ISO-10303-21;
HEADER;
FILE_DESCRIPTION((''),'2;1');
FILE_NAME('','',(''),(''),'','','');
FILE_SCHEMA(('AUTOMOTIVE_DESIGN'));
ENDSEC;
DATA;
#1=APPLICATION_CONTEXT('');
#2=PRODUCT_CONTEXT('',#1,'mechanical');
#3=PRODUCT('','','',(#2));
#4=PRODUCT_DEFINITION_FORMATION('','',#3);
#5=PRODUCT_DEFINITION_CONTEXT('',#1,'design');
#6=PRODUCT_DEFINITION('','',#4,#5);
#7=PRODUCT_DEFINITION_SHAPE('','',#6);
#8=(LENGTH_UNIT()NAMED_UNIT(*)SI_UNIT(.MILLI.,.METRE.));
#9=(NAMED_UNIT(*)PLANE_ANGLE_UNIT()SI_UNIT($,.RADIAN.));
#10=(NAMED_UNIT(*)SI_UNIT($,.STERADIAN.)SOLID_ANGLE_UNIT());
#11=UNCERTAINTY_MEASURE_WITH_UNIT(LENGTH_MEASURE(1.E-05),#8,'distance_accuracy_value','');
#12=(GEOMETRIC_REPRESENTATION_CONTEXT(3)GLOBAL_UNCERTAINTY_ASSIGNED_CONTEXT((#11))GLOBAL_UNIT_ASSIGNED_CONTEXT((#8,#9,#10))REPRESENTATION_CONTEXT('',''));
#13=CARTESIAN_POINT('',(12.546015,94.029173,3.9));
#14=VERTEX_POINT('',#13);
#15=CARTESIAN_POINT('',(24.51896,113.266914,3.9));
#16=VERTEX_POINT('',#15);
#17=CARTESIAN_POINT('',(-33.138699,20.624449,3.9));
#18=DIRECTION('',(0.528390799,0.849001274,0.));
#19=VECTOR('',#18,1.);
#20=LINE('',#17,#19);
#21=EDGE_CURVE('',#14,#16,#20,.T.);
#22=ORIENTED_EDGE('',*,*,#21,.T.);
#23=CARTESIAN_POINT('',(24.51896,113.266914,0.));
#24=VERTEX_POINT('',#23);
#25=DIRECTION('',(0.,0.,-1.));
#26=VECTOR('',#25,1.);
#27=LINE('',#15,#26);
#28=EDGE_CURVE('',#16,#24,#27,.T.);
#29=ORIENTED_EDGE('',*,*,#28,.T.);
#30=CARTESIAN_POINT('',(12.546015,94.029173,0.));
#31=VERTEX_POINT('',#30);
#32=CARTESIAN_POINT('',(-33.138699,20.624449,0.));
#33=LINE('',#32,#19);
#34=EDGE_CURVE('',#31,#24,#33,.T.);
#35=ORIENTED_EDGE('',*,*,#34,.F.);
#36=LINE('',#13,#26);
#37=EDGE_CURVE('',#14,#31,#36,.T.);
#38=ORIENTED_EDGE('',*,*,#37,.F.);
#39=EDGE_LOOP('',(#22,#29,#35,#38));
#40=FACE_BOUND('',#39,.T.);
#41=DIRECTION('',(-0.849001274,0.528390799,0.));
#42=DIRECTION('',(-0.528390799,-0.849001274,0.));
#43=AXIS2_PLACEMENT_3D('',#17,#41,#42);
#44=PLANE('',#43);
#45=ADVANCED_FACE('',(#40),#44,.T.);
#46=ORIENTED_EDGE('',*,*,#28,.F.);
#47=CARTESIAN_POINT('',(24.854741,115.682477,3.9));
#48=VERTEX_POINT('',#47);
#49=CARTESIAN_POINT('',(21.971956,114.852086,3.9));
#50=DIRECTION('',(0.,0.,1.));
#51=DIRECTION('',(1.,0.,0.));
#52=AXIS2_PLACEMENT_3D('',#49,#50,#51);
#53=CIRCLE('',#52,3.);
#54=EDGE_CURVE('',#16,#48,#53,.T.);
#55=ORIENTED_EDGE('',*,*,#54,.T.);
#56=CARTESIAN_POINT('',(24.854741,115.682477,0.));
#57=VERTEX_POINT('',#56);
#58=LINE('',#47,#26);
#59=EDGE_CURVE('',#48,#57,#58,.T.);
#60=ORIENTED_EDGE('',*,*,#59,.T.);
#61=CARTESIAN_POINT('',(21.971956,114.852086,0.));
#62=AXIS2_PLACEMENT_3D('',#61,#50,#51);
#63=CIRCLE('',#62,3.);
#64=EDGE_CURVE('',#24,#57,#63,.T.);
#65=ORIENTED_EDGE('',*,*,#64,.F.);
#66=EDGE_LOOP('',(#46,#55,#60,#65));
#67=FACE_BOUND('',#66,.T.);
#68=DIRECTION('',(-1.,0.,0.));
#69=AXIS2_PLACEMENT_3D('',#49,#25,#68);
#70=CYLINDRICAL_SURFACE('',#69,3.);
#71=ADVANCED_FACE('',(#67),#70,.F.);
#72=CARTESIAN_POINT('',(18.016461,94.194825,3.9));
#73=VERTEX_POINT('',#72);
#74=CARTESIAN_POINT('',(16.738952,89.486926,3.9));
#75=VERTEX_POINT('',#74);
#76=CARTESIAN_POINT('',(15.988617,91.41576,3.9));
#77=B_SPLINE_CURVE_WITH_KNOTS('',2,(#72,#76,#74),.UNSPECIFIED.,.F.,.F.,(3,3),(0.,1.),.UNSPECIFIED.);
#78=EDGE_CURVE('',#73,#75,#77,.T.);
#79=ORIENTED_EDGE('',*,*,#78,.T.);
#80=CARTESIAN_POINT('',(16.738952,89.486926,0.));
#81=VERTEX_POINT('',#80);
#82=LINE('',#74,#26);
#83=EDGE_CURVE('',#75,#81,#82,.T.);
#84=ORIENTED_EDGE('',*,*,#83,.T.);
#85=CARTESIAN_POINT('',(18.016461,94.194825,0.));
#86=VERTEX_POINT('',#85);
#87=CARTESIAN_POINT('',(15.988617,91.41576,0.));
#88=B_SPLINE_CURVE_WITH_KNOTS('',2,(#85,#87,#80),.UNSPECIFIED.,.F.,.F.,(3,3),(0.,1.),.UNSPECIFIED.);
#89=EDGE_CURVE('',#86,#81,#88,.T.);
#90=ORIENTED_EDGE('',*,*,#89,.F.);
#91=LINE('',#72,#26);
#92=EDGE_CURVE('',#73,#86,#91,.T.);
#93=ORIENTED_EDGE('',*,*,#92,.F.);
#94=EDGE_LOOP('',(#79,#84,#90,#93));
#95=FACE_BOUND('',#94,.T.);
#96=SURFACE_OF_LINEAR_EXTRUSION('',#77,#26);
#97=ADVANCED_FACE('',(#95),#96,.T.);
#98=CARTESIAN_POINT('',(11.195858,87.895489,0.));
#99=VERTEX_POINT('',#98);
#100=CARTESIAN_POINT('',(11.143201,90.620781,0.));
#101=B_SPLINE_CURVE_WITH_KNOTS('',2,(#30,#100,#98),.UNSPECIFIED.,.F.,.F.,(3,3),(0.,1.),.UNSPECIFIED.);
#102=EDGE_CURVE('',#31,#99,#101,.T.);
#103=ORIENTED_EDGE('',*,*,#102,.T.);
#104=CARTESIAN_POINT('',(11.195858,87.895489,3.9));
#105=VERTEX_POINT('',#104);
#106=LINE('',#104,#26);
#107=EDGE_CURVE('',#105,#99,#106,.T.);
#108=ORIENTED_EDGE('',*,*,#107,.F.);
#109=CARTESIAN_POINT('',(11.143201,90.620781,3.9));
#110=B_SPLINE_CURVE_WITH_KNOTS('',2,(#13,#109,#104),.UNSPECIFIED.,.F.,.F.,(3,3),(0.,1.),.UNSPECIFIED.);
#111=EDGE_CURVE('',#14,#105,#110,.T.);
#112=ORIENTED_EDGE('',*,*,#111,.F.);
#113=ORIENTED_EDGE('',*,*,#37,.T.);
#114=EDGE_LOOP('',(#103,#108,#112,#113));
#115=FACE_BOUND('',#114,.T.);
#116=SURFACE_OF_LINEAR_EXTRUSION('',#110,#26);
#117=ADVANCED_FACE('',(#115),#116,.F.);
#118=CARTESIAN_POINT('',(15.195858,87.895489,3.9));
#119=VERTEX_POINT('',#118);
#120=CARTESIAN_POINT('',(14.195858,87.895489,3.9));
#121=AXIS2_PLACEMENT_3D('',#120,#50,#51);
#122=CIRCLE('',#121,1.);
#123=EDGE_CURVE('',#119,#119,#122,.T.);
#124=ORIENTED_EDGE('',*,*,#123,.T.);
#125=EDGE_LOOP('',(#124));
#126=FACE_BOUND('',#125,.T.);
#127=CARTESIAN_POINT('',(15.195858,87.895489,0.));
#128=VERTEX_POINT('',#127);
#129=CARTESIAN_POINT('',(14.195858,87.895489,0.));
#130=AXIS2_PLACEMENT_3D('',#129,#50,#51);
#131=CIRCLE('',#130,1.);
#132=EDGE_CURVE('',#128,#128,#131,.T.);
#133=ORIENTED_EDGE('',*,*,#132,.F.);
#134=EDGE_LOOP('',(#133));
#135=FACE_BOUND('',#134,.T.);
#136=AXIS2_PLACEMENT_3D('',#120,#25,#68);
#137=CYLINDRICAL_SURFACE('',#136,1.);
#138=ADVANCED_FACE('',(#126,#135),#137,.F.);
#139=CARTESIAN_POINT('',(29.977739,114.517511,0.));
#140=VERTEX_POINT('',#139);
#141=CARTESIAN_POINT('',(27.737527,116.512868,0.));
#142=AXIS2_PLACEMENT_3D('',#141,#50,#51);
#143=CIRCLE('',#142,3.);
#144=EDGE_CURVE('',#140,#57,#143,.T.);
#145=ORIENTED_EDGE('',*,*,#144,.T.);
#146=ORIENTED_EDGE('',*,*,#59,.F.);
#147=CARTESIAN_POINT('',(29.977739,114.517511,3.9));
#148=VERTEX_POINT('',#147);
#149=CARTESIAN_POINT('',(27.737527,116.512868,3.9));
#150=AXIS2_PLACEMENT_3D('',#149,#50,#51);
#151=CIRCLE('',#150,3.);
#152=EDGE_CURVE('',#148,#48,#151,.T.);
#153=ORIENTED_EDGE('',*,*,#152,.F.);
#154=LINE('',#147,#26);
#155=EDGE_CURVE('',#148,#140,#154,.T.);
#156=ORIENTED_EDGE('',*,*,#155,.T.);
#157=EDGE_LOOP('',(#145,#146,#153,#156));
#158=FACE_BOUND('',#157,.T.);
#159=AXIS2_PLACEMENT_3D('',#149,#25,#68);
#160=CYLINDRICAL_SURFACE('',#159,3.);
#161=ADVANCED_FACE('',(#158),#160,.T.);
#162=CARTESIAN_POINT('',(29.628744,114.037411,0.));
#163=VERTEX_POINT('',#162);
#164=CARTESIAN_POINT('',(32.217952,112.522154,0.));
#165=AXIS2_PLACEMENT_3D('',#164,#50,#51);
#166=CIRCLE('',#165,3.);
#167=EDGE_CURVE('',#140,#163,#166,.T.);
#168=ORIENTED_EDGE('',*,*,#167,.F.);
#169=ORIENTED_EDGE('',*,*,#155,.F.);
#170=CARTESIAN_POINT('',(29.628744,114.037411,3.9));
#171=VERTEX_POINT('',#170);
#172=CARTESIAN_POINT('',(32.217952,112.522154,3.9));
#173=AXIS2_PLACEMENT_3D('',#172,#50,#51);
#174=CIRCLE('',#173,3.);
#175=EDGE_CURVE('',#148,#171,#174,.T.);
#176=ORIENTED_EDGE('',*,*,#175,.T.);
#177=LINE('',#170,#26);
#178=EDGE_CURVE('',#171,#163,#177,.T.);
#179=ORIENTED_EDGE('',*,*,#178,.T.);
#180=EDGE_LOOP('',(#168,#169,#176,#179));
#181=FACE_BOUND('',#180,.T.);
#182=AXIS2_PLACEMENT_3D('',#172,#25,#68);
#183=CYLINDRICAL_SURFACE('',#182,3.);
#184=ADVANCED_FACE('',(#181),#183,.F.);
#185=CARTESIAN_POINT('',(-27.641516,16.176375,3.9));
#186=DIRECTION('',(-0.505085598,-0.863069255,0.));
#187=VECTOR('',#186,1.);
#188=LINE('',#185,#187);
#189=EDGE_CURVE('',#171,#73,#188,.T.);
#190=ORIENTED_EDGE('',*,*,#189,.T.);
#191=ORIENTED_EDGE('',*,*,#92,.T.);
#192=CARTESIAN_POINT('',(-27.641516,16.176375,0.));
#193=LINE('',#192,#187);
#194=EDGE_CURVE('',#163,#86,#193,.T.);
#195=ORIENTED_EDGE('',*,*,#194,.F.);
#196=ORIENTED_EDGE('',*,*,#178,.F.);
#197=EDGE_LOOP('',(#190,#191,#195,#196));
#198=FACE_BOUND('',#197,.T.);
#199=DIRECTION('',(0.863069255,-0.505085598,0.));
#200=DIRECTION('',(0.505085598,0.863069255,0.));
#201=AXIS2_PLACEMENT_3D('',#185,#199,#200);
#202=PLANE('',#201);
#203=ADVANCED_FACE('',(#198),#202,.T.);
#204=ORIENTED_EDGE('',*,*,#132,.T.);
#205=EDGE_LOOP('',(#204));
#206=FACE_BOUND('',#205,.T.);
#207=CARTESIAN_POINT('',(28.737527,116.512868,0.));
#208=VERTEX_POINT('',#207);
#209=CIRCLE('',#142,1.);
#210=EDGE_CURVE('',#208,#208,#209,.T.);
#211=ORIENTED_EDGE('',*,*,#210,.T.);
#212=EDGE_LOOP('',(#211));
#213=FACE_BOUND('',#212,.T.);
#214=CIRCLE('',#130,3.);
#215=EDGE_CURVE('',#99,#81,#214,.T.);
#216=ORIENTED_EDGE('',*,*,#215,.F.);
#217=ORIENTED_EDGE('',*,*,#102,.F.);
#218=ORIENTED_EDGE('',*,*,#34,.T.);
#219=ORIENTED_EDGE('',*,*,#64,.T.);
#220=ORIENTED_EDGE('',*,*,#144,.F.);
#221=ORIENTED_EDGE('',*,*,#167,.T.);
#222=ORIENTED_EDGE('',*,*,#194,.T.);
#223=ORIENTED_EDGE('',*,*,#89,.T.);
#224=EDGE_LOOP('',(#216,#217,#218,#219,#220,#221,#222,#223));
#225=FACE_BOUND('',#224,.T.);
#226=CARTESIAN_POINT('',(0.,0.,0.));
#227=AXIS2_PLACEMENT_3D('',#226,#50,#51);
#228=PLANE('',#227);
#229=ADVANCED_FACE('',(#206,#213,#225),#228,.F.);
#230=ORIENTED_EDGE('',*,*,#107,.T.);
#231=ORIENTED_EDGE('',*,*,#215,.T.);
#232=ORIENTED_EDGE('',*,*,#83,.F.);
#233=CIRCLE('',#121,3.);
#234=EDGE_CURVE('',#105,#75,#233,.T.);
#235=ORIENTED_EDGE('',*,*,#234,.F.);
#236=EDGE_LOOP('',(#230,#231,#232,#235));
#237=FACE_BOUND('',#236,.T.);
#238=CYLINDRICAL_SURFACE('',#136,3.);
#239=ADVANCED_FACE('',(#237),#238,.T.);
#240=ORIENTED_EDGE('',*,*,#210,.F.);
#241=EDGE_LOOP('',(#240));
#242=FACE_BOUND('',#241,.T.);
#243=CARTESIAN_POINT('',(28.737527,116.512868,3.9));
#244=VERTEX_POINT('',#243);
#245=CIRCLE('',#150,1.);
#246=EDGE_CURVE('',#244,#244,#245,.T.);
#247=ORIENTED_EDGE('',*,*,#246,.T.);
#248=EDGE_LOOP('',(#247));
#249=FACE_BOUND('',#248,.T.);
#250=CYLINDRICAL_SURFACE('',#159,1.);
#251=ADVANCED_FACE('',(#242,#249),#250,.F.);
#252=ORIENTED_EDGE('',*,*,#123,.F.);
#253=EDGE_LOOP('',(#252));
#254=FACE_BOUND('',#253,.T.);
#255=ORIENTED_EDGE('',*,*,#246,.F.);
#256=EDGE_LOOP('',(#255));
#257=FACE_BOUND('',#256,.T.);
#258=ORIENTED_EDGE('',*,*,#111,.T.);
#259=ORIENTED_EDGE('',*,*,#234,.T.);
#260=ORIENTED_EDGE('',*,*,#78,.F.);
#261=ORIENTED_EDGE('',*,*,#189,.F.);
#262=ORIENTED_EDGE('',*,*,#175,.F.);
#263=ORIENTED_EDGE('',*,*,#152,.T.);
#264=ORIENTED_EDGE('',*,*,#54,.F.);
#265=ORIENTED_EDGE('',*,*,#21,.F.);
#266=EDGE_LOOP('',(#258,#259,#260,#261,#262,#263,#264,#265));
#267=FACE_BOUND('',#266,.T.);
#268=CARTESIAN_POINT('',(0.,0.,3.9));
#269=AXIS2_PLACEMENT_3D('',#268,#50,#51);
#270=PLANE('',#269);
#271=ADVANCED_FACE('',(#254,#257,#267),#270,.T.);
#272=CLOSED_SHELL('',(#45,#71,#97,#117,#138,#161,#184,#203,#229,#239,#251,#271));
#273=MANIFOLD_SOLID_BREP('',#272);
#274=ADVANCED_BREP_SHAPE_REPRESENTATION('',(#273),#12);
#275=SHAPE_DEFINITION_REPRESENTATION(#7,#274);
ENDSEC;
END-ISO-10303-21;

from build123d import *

# Parameters (mm, degrees)
SKETCH6_R           = 1
BOSS_EXTRUDE1_DEPTH = 3.9


with BuildPart() as part:
    # Sketch6 → Boss-Extrude1 (new body)
    with BuildSketch(Plane.XY):
        with BuildLine():
            Line((24.518959729, 113.266913748), (12.546015233, 94.029173129))
            add(Edge.make_bspline(
                [(12.546015233, 94.029173129), (11.143200975, 90.620780812), (11.195857544, 87.895488842)],
                knots=[0, 0, 0, 1, 1, 1], degree=2))
            ThreePointArc((11.195857544, 87.895488842), (15.023721592, 85.0119769), (16.738951622, 89.486926087))
            add(Edge.make_bspline(
                [(18.016460853, 94.194825281), (15.988617018, 91.415760023), (16.738951622, 89.486926087)],
                knots=[0, 0, 0, 1, 1, 1], degree=2))
            Line((18.016460853, 94.194825281), (29.628743828, 114.037411274))
            ThreePointArc((29.628743828, 114.037411274), (29.791338928, 114.286113373), (29.977739072, 114.517511055))
            ThreePointArc((29.977739072, 114.517511055), (28.402741778, 119.438186194), (24.854741229, 115.682476887))
            ThreePointArc((24.854741229, 115.682476887), (24.943384664, 114.439035131), (24.518959729, 113.266913748))
        make_face()
        with Locations((27.737526551, 116.51286763)):
            Circle(SKETCH6_R, mode=Mode.SUBTRACT)
        with Locations((14.195857544, 87.895488842)):
            Circle(SKETCH6_R, mode=Mode.SUBTRACT)
    extrude(amount=BOSS_EXTRUDE1_DEPTH)


solid = part.part
